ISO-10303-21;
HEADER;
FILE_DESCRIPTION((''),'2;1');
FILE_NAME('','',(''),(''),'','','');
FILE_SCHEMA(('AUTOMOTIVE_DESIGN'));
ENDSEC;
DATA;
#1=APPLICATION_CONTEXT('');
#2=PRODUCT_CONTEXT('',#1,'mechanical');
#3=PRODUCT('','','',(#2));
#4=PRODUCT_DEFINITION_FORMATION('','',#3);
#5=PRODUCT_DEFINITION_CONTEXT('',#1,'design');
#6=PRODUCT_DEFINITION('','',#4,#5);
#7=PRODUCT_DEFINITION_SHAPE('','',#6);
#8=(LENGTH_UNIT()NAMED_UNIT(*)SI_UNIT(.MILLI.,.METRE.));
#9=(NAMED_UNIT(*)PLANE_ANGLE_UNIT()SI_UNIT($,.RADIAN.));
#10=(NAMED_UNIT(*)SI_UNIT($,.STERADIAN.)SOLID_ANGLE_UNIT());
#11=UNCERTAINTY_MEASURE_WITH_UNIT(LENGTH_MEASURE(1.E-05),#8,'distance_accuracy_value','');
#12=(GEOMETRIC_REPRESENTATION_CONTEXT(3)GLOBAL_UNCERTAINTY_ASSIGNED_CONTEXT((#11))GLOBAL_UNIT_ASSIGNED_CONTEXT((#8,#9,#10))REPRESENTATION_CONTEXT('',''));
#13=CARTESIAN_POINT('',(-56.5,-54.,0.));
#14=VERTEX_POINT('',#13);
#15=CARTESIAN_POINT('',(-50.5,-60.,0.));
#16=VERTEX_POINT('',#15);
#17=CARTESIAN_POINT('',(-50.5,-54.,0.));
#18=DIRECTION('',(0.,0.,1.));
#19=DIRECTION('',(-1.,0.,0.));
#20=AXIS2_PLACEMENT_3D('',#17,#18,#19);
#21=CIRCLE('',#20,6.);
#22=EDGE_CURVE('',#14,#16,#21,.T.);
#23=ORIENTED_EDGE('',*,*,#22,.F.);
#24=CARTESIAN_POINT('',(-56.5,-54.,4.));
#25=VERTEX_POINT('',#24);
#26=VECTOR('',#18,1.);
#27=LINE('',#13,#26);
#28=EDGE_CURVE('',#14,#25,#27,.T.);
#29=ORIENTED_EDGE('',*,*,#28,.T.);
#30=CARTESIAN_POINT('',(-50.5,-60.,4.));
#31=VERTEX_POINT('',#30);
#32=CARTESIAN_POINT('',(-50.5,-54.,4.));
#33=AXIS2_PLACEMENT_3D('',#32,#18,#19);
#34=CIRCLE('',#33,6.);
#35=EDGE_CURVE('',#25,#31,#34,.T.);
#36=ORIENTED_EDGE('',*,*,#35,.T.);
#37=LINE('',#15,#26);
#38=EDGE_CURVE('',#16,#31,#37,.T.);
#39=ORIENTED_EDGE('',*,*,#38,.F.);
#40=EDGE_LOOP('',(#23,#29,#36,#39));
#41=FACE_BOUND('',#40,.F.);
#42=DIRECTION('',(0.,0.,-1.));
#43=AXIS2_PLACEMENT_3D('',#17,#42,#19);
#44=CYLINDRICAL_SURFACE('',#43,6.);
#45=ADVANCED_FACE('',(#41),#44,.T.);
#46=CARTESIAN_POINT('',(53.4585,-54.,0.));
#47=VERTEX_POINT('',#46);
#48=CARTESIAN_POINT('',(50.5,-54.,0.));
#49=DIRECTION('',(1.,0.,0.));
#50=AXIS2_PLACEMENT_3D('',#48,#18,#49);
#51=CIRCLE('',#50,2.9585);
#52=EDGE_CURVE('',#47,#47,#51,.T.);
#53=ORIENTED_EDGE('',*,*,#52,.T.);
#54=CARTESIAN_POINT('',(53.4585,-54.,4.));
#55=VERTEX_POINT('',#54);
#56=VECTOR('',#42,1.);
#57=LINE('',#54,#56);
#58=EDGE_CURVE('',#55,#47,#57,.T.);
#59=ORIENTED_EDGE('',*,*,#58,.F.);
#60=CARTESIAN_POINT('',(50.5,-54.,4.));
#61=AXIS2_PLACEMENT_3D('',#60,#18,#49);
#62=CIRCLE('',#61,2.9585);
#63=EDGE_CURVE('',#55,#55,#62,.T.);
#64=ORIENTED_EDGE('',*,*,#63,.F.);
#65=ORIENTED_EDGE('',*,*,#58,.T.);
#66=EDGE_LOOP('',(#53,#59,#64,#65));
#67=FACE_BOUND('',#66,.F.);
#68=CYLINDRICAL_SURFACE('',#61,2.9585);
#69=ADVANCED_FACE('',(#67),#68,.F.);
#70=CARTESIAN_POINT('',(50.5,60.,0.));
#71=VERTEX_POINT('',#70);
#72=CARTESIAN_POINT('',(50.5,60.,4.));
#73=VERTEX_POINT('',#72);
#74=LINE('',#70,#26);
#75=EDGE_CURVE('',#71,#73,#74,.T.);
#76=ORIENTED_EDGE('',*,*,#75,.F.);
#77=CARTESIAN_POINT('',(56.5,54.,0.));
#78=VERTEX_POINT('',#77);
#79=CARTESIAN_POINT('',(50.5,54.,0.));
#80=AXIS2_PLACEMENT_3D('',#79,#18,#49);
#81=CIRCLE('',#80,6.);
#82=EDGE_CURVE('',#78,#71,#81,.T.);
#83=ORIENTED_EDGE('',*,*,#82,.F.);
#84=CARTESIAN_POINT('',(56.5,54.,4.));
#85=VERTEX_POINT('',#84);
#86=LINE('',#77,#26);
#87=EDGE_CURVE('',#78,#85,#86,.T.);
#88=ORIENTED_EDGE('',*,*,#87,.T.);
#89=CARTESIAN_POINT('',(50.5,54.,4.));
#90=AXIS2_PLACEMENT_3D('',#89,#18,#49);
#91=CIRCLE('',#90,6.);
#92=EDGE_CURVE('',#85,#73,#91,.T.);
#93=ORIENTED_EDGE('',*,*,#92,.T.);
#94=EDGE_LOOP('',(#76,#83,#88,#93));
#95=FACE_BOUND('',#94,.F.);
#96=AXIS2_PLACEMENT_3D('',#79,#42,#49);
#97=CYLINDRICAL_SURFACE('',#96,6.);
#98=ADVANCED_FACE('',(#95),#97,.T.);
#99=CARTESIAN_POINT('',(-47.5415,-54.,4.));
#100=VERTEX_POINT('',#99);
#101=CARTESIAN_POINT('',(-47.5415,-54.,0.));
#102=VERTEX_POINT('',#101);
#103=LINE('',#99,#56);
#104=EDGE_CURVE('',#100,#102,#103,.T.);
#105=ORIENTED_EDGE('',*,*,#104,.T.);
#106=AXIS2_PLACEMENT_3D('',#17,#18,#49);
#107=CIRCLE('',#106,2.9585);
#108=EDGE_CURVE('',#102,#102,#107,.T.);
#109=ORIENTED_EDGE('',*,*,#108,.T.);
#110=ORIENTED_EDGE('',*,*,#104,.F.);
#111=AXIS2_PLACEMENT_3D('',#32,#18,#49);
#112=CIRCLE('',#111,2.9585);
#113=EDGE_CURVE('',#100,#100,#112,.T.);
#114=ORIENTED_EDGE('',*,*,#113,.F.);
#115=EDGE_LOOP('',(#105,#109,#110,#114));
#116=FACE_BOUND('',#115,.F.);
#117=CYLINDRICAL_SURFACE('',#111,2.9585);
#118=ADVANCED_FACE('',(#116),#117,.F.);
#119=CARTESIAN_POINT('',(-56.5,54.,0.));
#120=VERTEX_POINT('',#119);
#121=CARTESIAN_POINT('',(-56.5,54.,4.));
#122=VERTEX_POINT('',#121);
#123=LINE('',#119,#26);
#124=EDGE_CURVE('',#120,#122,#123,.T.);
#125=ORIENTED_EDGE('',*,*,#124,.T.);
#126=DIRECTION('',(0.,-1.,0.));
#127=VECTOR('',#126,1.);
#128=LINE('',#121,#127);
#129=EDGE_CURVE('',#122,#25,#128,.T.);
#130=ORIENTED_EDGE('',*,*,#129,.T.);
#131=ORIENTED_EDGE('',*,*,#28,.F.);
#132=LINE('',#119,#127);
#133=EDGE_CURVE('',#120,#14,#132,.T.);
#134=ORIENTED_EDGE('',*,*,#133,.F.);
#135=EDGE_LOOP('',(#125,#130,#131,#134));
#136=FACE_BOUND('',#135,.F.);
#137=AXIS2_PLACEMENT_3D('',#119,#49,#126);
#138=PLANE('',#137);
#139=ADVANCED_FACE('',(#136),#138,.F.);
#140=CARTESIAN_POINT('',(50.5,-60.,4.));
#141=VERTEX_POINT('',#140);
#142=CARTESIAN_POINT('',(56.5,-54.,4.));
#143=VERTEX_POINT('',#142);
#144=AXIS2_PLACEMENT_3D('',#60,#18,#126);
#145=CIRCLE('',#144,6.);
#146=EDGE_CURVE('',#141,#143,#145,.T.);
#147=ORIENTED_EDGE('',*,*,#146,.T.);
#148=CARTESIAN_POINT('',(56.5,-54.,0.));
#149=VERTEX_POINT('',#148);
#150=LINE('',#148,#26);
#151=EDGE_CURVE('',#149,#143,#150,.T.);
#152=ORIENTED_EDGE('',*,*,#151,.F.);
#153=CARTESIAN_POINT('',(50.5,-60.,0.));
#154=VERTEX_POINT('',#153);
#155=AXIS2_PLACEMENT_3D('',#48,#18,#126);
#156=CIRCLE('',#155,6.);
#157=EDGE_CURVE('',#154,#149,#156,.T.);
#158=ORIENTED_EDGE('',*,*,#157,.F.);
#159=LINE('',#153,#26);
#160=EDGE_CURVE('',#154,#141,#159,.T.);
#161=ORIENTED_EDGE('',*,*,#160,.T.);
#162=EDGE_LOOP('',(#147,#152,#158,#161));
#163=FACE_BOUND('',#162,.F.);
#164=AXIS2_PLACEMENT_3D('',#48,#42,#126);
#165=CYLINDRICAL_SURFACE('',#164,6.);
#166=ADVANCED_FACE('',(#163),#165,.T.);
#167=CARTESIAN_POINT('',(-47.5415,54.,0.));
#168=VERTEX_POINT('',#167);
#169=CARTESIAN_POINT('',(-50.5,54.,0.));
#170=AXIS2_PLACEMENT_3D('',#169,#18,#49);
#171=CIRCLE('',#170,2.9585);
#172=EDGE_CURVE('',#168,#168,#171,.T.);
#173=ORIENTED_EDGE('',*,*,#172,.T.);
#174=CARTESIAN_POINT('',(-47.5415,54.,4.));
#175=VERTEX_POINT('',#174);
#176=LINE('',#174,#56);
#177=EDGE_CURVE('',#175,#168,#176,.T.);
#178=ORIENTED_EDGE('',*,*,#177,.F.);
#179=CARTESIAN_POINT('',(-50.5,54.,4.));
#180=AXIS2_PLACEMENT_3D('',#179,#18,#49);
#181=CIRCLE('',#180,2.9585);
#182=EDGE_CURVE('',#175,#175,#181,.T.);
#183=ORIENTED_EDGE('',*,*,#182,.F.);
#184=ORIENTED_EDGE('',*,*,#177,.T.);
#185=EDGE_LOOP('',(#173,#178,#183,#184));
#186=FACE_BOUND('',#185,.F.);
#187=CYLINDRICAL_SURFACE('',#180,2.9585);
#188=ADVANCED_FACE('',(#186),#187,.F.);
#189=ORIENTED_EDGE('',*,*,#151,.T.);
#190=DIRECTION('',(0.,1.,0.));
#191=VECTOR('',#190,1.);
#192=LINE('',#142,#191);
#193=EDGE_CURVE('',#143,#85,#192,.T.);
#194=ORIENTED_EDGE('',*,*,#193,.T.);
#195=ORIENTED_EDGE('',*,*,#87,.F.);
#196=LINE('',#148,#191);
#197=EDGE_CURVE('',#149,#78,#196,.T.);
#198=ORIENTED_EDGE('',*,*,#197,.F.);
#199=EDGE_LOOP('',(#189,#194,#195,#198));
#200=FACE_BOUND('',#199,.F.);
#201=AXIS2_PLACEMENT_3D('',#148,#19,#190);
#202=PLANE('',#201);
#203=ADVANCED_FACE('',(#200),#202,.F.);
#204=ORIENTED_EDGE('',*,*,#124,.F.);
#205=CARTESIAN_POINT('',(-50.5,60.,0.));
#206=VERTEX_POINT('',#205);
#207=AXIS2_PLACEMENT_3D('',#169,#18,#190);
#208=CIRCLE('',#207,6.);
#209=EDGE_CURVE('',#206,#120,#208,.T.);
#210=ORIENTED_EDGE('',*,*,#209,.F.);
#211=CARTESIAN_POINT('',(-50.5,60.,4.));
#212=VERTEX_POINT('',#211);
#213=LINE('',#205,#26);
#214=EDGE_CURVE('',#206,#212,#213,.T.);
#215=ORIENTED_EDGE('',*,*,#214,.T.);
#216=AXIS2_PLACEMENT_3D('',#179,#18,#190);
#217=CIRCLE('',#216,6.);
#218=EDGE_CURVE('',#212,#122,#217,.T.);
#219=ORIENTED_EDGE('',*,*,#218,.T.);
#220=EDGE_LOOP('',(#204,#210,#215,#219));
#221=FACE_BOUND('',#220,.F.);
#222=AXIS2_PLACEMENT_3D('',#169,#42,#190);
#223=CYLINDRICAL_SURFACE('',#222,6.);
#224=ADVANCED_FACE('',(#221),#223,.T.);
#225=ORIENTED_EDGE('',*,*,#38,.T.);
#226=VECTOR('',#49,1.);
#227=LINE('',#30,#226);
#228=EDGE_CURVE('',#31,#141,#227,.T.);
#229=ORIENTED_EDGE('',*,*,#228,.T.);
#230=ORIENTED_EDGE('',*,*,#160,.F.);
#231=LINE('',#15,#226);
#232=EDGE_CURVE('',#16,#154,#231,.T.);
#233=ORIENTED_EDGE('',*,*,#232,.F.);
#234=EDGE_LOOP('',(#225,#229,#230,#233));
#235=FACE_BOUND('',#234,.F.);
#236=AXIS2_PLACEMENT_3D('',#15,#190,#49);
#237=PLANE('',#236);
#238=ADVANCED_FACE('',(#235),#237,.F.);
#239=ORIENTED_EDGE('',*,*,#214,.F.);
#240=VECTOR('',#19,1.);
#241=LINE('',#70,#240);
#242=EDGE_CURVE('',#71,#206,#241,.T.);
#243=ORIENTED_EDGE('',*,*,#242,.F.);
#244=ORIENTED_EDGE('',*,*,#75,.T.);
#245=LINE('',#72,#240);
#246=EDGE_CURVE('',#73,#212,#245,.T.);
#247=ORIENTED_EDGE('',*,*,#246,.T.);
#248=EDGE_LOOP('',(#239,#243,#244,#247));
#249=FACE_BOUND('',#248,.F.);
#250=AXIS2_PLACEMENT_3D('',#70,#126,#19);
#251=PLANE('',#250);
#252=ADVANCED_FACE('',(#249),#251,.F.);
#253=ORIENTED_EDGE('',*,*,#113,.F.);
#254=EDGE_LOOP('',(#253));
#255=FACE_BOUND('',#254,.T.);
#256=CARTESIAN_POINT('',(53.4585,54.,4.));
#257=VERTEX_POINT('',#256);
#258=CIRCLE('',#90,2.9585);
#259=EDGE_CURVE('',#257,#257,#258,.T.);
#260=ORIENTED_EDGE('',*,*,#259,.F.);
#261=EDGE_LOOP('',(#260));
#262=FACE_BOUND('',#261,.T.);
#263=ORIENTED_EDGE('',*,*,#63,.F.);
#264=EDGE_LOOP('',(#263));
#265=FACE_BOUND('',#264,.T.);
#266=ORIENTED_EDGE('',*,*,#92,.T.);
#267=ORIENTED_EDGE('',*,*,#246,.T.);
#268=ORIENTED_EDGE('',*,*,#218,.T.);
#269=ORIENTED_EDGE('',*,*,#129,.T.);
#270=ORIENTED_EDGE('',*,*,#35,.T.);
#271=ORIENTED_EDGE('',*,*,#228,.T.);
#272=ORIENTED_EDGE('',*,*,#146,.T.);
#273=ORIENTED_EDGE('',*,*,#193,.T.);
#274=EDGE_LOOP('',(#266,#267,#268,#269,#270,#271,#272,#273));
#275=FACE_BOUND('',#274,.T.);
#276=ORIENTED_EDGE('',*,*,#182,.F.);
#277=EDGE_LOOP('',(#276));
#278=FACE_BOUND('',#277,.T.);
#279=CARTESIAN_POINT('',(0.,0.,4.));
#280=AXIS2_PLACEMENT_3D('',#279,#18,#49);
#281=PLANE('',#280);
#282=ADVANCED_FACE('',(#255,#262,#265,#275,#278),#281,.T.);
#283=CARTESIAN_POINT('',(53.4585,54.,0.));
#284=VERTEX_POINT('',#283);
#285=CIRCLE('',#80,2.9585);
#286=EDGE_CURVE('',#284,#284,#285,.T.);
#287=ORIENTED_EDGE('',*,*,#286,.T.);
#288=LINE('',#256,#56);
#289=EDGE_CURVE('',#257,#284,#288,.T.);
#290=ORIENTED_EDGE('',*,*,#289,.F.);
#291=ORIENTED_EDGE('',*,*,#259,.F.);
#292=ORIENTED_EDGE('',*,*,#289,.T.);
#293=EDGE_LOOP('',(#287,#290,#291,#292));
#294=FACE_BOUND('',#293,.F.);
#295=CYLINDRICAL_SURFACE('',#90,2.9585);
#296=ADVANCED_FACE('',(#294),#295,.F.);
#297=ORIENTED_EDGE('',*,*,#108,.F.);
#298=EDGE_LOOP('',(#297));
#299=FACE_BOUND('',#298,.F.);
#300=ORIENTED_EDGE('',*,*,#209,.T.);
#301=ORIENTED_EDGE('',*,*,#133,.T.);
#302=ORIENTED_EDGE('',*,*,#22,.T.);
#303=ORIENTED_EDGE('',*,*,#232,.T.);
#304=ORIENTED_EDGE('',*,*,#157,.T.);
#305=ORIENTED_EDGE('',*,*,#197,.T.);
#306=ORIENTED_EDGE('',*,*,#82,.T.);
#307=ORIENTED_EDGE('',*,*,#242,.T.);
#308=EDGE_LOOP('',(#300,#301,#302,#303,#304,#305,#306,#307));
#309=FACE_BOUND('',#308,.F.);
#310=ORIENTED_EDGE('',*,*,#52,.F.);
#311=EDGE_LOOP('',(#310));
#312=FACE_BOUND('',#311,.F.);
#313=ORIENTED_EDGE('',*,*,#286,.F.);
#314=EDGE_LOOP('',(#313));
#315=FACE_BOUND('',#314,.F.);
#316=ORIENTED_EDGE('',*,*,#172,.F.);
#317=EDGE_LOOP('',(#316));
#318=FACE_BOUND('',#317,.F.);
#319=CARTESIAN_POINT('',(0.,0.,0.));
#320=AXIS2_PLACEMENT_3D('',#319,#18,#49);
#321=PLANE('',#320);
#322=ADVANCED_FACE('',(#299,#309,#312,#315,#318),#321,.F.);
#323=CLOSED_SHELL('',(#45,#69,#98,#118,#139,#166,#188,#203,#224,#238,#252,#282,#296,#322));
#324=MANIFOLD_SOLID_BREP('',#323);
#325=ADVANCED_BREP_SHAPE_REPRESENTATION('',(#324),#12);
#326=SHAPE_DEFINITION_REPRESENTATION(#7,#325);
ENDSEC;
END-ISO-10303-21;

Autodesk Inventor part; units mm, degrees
ref_plane "YZ Plane" through (0, 0, 0) normal (1, 0, 0) x (0, 1, 0)
ref_plane "XZ Plane" through (0, 0, 0) normal (0, 1, 0) x (-1, 0, 0)
ref_plane "工作平面1" through (0, 0, 0) normal (0, 0, 1) x (1, 0, 0)
sketch "草图1" plane through (0, 0, 0) normal (0, 0, 1) x (1, 0, 0)
  circle A0 centre (-50.5, -54) radius 2.4585 projected
  circle A1 centre (50.5, 54) radius 2.4585 projected
  circle A2 centre (50.5, -54) radius 2.4585 projected
  circle A3 centre (-50.5, 54) radius 2.4585 projected
  arc A4 (56.5, 54) -> (50.5, 60) centre (50.5, 54) ccw projected
  line L0 (50.5, 60) -> (-50.5, 60) projected
  arc A5 (-50.5, 60) -> (-56.5, 54) centre (-50.5, 54) ccw projected
  line L1 (-56.5, 54) -> (-56.5, -54) projected
  arc A6 (-56.5, -54) -> (-50.5, -60) centre (-50.5, -54) ccw projected
  line L2 (-50.5, -60) -> (50.5, -60) projected
  arc A7 (50.5, -60) -> (56.5, -54) centre (50.5, -54) ccw projected
  line L3 (56.5, -54) -> (56.5, 54) projected
  line L4 (-40, -50) -> (-40, 50) construction
  line L5 (-40, 50) -> (40, 50) construction
  line L6 (40, 50) -> (40, -50) construction
  line L7 (40, -50) -> (-40, -50) construction
  point P0 (0, 0)
extrude "拉伸1" add sketch "草图1" along normal blind 4
sketch "草图2" plane through (0, 0, 4) normal (0, 0, 1) x (1, 0, 0)
  circle A0 centre (50.5, 54) radius 2.4585 construction
  circle A1 centre (-50.5, 54) radius 2.4585 construction
  circle A2 centre (-50.5, -54) radius 2.4585 construction
  circle A3 centre (50.5, -54) radius 2.4585 construction
  circle A4 centre (50.5, 54) radius 2.9585
  circle A5 centre (50.5, -54) radius 2.9585
  circle A6 centre (-50.5, 54) radius 2.9585
  circle A7 centre (-50.5, -54) radius 2.9585
  point P0 (0, 0)
  dimension "d2" = 0.5
  dimension "d3" = 0.5
  dimension "d4" = 0.5
  dimension "d5" = 0.5
extrude "拉伸2" cut sketch "草图2" against normal up to surface (4 mm away)
properties part number "视孔盖2"
